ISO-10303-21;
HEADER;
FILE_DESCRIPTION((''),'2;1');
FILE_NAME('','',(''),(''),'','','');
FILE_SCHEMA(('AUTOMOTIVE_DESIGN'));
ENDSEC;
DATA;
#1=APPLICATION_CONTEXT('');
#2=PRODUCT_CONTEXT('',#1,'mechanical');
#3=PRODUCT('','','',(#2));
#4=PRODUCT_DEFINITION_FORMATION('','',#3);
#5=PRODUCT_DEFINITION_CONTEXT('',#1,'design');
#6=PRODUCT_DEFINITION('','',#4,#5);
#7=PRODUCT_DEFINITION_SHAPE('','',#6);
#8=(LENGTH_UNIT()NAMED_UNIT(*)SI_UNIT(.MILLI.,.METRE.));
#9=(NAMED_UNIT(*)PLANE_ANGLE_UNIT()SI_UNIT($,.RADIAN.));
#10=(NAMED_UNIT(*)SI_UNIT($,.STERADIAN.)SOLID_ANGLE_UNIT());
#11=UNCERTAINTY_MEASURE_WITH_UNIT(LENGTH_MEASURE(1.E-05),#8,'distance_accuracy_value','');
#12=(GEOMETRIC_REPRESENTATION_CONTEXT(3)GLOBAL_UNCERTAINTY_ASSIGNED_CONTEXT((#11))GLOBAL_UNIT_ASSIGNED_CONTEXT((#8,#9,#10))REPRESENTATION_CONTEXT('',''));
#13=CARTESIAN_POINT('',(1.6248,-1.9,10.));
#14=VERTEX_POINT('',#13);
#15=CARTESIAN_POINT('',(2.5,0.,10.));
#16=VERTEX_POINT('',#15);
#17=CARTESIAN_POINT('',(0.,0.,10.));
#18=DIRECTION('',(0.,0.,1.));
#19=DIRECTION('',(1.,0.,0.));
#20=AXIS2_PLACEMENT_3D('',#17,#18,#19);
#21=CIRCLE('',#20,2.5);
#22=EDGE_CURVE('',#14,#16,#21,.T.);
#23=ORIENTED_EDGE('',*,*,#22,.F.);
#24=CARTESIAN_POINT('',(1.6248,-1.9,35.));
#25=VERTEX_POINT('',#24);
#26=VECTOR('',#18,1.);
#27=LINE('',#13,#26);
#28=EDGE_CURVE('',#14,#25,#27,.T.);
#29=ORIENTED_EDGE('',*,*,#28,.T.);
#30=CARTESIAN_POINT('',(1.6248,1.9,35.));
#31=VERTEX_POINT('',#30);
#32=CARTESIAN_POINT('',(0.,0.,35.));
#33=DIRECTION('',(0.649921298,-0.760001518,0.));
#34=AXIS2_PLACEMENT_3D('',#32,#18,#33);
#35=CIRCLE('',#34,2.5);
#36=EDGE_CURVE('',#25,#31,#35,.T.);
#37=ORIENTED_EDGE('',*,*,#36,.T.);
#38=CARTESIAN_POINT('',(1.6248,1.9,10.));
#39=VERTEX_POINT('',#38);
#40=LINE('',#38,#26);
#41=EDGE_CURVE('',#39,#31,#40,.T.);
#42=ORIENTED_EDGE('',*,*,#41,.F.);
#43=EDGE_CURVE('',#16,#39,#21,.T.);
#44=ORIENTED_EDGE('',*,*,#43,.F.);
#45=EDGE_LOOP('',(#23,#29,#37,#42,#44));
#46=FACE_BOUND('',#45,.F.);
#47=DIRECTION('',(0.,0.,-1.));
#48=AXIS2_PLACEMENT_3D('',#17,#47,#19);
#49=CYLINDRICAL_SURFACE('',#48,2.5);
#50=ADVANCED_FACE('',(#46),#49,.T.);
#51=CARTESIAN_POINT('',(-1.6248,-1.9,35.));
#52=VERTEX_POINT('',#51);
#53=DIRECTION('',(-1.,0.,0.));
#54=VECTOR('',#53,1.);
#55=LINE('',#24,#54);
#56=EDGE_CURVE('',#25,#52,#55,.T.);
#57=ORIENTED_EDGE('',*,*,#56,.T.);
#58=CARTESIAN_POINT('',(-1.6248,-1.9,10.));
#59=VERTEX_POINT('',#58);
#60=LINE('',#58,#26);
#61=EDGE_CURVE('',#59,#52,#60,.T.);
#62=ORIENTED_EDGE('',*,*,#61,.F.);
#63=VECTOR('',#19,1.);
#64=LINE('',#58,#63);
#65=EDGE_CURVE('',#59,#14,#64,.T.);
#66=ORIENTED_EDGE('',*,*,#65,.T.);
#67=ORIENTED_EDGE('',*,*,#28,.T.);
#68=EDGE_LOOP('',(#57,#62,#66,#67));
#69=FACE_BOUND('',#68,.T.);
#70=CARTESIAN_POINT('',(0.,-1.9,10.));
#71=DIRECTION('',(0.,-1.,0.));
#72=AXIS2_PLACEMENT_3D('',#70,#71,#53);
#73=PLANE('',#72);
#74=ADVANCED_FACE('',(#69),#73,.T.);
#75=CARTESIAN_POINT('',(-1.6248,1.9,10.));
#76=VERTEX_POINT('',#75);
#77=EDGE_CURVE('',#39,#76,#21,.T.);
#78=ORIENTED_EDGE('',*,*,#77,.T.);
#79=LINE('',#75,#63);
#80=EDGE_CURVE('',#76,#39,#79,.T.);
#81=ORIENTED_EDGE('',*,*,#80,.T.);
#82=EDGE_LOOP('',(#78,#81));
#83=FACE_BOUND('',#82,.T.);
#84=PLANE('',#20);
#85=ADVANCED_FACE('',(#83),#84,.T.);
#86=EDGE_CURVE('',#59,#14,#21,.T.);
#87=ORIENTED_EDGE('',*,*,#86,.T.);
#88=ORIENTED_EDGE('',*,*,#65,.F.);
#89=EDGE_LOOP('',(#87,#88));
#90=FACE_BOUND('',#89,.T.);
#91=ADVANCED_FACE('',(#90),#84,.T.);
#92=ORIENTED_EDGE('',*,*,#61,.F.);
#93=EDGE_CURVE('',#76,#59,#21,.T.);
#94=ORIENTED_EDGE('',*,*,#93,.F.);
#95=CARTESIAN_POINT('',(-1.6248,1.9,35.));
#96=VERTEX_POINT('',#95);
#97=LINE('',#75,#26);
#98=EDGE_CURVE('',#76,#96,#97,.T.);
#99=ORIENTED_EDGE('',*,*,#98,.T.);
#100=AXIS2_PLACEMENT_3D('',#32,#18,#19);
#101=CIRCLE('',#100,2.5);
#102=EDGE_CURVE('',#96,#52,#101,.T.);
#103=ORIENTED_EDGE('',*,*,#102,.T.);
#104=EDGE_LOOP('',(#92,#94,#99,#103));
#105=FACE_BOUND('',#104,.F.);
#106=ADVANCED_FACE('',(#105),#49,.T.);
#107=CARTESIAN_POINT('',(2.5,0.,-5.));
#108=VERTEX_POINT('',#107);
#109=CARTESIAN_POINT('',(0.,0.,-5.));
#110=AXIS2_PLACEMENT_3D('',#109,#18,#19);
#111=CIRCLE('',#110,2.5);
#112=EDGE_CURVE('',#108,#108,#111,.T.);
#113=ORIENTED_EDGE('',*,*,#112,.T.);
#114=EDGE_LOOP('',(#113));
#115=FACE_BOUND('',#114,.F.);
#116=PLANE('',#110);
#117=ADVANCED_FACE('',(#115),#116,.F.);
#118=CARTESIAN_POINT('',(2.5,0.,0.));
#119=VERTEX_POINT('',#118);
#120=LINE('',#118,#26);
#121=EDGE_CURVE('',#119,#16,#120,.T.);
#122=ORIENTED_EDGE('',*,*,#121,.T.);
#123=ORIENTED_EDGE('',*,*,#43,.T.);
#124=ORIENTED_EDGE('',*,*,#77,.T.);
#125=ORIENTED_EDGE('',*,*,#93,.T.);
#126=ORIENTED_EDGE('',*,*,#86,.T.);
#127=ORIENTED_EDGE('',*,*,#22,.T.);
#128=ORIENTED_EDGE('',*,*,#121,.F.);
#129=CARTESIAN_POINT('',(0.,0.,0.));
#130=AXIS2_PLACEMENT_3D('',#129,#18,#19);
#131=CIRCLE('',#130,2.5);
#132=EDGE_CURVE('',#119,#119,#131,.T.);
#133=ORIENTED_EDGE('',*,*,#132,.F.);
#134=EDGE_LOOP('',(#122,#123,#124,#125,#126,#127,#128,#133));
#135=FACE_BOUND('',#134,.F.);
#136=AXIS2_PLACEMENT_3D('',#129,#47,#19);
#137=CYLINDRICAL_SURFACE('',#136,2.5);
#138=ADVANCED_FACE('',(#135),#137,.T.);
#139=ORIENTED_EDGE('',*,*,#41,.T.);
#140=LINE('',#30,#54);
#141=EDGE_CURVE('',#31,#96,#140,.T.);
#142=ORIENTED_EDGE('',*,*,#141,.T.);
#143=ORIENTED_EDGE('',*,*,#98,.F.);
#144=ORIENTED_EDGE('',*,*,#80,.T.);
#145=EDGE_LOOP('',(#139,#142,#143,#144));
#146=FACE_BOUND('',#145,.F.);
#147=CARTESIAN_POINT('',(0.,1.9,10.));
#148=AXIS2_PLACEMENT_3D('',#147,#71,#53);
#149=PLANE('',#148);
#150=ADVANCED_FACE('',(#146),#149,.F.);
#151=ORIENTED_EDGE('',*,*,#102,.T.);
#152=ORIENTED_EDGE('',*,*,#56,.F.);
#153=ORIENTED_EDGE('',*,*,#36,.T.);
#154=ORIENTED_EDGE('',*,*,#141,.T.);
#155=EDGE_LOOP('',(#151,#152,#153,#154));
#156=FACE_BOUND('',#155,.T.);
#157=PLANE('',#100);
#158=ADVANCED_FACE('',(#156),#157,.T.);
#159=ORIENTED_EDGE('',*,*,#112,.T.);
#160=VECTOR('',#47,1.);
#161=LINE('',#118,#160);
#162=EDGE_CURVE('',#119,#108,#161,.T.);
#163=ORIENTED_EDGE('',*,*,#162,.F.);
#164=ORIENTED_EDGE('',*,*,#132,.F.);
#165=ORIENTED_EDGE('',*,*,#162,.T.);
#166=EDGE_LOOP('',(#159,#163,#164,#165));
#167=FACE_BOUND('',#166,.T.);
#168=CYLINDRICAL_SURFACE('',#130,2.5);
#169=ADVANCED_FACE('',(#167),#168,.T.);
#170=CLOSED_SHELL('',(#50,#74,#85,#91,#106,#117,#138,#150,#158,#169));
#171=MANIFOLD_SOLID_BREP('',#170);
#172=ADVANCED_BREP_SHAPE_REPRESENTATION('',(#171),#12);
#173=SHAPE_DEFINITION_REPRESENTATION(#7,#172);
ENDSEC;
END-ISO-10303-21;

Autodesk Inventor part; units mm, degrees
ref_plane "YZ Plane" through (0, 0, 0) normal (1, 0, 0) x (0, 1, 0)
ref_plane "XZ Plane" through (0, 0, 0) normal (0, 1, 0) x (-1, 0, 0)
ref_plane "XY Plane" through (0, 0, 0) normal (0, 0, 1) x (1, 0, 0)
sketch "Sketch1" plane through (0, 0, 0) normal (0, 0, 1) x (1, 0, 0)
  circle A0 centre (0, 0) radius 2.5
  dimension "d0" = 5
extrude "Extrusion1" add sketch "Sketch1" along normal blind 10 and the other way blind 5
sketch "Sketch2" plane through (0, 0, 10) normal (0, 0, 1) x (1, 0, 0)
  line L0 (0, 0) -> (0, 1.9)
  circle A0 centre (0, 0) radius 2.5 projected
  line L1 (0, 0) -> (0, -1.9)
  line L2 (0, -1.9) -> (1.6248, -1.9)
  line L3 (0, -1.9) -> (-1.6248, -1.9)
  line L4 (0, 1.9) -> (1.6248, 1.9)
  line L5 (0, 1.9) -> (-1.6248, 1.9)
  circle A1 centre (0, 0) radius 2.5
  dimension "d3" = 1.9
  dimension "d4" = 1.9
extrude "Extrusion2" add sketch "Sketch2" along normal blind 25 contours L1 L3 A0 L5 L0 | L0 L4 A0 L2 L1
properties part number "ShaftRoda"
